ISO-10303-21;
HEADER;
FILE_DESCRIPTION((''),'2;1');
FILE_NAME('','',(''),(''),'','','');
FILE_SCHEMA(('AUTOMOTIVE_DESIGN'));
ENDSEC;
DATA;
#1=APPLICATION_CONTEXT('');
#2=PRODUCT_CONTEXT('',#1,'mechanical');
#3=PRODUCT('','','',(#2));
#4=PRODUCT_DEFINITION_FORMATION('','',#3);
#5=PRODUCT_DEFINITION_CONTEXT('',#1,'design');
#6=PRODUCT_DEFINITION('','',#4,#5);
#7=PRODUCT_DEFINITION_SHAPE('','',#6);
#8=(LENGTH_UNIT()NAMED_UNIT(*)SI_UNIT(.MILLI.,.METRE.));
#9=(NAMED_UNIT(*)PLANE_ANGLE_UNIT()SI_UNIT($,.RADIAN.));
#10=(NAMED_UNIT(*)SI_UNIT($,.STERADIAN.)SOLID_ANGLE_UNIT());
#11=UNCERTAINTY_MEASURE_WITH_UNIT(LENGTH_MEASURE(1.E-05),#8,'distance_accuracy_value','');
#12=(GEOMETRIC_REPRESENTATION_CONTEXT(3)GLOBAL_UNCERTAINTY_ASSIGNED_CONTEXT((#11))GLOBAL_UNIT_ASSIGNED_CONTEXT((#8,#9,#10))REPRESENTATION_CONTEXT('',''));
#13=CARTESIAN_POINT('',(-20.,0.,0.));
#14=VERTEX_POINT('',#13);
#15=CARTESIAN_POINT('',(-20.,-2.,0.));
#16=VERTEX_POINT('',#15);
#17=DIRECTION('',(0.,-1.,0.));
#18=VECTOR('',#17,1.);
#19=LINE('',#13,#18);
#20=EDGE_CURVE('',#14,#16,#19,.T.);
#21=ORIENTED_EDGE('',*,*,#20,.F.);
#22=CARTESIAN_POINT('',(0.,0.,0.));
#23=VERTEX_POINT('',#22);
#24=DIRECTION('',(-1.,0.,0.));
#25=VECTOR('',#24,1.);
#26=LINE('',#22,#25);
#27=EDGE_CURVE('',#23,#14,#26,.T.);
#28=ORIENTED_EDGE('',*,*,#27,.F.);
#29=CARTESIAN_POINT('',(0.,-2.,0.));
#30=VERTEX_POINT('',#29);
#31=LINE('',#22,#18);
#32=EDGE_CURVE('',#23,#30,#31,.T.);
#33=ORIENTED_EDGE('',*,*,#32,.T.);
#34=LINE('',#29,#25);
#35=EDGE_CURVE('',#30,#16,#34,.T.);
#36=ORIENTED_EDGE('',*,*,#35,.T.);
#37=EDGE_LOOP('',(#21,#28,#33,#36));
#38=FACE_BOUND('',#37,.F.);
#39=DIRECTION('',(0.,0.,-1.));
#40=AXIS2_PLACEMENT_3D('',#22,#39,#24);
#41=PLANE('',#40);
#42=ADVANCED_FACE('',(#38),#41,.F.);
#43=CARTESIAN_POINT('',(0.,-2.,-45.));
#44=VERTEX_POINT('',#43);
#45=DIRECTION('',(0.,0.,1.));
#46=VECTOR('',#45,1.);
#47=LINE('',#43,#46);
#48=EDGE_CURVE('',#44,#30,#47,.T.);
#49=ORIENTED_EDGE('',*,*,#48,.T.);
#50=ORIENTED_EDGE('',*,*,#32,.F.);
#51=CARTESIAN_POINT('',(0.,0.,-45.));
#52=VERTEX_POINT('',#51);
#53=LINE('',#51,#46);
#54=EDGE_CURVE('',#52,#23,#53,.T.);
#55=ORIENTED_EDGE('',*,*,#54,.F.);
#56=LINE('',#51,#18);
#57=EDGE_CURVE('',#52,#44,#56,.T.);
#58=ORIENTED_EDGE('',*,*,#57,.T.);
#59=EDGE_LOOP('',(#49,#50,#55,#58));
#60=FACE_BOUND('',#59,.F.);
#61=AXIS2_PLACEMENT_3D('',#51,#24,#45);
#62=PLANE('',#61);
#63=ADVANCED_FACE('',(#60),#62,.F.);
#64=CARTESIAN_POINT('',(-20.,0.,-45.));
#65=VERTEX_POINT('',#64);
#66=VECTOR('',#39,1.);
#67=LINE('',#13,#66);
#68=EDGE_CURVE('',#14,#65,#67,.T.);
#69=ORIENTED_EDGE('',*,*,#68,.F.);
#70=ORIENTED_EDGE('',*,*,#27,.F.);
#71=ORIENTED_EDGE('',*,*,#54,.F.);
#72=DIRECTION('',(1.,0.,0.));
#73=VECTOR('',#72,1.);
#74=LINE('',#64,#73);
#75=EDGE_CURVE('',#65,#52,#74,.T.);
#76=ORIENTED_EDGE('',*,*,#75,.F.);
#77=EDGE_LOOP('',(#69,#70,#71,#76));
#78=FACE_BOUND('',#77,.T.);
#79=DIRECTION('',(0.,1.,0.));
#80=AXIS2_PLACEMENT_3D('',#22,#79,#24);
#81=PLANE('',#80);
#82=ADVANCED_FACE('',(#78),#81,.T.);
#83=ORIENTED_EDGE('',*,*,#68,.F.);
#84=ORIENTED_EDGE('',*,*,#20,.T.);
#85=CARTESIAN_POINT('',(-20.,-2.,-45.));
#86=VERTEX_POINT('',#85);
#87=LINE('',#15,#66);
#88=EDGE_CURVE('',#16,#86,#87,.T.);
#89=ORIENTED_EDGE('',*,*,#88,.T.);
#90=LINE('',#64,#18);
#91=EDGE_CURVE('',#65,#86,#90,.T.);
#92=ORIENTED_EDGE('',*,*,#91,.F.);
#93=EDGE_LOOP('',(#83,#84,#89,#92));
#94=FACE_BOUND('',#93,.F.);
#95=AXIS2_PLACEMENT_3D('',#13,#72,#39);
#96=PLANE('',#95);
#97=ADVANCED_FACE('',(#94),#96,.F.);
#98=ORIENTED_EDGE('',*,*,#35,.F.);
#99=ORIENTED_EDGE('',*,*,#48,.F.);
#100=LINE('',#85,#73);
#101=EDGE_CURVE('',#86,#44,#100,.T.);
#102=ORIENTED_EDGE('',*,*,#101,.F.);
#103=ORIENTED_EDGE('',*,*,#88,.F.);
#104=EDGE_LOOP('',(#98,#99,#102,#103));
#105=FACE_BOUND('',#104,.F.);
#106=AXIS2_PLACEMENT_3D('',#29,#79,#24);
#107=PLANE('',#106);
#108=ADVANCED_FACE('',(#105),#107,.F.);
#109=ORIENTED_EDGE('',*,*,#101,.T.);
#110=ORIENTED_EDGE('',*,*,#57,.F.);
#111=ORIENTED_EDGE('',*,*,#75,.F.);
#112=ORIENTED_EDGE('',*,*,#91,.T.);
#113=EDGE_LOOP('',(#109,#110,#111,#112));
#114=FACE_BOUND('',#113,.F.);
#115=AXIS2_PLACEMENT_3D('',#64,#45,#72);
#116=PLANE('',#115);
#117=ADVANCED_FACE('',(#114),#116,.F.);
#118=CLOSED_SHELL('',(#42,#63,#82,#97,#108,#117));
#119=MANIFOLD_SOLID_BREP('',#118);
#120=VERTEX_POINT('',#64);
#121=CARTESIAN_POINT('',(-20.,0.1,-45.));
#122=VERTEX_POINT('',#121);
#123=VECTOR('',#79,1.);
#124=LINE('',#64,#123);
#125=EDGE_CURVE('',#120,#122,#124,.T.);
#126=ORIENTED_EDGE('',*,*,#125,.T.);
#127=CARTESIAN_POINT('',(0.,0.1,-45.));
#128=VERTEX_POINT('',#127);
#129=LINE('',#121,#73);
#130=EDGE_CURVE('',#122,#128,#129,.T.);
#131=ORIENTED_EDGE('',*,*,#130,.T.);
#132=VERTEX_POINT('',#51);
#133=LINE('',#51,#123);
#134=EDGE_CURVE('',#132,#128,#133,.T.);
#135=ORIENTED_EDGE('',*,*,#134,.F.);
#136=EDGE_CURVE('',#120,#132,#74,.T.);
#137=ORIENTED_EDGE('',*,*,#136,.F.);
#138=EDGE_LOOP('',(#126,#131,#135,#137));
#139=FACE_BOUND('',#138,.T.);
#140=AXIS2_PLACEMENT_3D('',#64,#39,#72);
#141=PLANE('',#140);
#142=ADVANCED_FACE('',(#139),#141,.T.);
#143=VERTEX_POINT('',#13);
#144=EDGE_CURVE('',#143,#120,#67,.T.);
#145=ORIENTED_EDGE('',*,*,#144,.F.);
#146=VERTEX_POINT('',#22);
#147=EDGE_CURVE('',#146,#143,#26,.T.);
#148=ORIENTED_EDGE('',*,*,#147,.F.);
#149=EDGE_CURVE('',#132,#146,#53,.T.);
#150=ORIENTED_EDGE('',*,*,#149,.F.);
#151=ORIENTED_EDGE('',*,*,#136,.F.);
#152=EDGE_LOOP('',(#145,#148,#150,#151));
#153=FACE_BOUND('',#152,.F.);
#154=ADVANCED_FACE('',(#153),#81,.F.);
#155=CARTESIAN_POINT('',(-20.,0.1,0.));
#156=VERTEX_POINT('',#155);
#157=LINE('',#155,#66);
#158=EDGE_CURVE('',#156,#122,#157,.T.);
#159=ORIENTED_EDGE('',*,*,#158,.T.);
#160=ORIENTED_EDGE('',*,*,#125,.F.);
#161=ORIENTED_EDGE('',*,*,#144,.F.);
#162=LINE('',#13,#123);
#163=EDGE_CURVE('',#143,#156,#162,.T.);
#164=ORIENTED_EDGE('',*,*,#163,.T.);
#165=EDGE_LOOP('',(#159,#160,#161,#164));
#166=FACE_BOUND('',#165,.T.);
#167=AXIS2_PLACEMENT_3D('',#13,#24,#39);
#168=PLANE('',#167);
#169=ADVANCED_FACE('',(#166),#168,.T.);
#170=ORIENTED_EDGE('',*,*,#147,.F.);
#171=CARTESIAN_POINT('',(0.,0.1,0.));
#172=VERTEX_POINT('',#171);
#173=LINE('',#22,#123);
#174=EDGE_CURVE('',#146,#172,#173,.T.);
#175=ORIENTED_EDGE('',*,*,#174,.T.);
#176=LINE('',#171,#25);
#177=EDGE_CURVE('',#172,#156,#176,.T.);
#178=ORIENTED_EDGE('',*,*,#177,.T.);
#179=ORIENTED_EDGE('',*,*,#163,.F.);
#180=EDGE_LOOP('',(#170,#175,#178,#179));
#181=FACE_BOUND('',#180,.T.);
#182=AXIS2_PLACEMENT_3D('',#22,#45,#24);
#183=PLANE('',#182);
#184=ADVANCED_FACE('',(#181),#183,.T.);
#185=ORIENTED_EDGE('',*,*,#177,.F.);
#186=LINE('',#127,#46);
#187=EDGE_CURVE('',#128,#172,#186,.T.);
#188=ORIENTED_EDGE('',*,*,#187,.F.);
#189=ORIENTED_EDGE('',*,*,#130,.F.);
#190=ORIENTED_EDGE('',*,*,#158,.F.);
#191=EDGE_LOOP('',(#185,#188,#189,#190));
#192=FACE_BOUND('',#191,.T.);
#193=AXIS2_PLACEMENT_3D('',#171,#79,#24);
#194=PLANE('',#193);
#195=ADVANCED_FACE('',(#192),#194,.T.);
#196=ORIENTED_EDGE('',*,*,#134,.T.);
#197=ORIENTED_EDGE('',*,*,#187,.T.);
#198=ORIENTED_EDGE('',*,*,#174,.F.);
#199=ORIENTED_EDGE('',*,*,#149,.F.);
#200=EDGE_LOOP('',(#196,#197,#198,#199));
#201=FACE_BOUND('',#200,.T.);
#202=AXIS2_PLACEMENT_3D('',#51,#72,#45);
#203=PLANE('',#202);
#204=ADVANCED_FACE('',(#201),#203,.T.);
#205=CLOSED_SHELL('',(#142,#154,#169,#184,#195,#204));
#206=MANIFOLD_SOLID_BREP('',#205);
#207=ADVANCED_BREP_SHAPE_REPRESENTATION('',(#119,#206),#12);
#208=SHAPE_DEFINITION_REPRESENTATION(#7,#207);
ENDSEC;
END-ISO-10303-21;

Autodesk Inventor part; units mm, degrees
ref_plane "YZ Plane" through (0, 0, 0) normal (1, 0, 0) x (0, 1, 0)
ref_plane "XZ Plane" through (0, 0, 0) normal (0, 1, 0) x (-1, 0, 0)
ref_plane "XY Plane" through (0, 0, 0) normal (0, 0, 1) x (1, 0, 0)
sketch "Sketch1" plane through (0, 0, 0) normal (0, 1, 0) x (-1, 0, 0)
  line L0 (0, 0) -> (20, 0)
  line L1 (20, 0) -> (20, -45)
  line L2 (20, -45) -> (0, -45)
  line L3 (0, -45) -> (0, 0)
  dimension "d0" = 20
  dimension "d1" = 45
extrude "Extrusion1" add sketch "Sketch1" against normal blind 2
extrude "Extrusion2" add sketch "Sketch1" along normal blind 0.1 separate body
properties part number "071_0121_FoamKapton_short"
